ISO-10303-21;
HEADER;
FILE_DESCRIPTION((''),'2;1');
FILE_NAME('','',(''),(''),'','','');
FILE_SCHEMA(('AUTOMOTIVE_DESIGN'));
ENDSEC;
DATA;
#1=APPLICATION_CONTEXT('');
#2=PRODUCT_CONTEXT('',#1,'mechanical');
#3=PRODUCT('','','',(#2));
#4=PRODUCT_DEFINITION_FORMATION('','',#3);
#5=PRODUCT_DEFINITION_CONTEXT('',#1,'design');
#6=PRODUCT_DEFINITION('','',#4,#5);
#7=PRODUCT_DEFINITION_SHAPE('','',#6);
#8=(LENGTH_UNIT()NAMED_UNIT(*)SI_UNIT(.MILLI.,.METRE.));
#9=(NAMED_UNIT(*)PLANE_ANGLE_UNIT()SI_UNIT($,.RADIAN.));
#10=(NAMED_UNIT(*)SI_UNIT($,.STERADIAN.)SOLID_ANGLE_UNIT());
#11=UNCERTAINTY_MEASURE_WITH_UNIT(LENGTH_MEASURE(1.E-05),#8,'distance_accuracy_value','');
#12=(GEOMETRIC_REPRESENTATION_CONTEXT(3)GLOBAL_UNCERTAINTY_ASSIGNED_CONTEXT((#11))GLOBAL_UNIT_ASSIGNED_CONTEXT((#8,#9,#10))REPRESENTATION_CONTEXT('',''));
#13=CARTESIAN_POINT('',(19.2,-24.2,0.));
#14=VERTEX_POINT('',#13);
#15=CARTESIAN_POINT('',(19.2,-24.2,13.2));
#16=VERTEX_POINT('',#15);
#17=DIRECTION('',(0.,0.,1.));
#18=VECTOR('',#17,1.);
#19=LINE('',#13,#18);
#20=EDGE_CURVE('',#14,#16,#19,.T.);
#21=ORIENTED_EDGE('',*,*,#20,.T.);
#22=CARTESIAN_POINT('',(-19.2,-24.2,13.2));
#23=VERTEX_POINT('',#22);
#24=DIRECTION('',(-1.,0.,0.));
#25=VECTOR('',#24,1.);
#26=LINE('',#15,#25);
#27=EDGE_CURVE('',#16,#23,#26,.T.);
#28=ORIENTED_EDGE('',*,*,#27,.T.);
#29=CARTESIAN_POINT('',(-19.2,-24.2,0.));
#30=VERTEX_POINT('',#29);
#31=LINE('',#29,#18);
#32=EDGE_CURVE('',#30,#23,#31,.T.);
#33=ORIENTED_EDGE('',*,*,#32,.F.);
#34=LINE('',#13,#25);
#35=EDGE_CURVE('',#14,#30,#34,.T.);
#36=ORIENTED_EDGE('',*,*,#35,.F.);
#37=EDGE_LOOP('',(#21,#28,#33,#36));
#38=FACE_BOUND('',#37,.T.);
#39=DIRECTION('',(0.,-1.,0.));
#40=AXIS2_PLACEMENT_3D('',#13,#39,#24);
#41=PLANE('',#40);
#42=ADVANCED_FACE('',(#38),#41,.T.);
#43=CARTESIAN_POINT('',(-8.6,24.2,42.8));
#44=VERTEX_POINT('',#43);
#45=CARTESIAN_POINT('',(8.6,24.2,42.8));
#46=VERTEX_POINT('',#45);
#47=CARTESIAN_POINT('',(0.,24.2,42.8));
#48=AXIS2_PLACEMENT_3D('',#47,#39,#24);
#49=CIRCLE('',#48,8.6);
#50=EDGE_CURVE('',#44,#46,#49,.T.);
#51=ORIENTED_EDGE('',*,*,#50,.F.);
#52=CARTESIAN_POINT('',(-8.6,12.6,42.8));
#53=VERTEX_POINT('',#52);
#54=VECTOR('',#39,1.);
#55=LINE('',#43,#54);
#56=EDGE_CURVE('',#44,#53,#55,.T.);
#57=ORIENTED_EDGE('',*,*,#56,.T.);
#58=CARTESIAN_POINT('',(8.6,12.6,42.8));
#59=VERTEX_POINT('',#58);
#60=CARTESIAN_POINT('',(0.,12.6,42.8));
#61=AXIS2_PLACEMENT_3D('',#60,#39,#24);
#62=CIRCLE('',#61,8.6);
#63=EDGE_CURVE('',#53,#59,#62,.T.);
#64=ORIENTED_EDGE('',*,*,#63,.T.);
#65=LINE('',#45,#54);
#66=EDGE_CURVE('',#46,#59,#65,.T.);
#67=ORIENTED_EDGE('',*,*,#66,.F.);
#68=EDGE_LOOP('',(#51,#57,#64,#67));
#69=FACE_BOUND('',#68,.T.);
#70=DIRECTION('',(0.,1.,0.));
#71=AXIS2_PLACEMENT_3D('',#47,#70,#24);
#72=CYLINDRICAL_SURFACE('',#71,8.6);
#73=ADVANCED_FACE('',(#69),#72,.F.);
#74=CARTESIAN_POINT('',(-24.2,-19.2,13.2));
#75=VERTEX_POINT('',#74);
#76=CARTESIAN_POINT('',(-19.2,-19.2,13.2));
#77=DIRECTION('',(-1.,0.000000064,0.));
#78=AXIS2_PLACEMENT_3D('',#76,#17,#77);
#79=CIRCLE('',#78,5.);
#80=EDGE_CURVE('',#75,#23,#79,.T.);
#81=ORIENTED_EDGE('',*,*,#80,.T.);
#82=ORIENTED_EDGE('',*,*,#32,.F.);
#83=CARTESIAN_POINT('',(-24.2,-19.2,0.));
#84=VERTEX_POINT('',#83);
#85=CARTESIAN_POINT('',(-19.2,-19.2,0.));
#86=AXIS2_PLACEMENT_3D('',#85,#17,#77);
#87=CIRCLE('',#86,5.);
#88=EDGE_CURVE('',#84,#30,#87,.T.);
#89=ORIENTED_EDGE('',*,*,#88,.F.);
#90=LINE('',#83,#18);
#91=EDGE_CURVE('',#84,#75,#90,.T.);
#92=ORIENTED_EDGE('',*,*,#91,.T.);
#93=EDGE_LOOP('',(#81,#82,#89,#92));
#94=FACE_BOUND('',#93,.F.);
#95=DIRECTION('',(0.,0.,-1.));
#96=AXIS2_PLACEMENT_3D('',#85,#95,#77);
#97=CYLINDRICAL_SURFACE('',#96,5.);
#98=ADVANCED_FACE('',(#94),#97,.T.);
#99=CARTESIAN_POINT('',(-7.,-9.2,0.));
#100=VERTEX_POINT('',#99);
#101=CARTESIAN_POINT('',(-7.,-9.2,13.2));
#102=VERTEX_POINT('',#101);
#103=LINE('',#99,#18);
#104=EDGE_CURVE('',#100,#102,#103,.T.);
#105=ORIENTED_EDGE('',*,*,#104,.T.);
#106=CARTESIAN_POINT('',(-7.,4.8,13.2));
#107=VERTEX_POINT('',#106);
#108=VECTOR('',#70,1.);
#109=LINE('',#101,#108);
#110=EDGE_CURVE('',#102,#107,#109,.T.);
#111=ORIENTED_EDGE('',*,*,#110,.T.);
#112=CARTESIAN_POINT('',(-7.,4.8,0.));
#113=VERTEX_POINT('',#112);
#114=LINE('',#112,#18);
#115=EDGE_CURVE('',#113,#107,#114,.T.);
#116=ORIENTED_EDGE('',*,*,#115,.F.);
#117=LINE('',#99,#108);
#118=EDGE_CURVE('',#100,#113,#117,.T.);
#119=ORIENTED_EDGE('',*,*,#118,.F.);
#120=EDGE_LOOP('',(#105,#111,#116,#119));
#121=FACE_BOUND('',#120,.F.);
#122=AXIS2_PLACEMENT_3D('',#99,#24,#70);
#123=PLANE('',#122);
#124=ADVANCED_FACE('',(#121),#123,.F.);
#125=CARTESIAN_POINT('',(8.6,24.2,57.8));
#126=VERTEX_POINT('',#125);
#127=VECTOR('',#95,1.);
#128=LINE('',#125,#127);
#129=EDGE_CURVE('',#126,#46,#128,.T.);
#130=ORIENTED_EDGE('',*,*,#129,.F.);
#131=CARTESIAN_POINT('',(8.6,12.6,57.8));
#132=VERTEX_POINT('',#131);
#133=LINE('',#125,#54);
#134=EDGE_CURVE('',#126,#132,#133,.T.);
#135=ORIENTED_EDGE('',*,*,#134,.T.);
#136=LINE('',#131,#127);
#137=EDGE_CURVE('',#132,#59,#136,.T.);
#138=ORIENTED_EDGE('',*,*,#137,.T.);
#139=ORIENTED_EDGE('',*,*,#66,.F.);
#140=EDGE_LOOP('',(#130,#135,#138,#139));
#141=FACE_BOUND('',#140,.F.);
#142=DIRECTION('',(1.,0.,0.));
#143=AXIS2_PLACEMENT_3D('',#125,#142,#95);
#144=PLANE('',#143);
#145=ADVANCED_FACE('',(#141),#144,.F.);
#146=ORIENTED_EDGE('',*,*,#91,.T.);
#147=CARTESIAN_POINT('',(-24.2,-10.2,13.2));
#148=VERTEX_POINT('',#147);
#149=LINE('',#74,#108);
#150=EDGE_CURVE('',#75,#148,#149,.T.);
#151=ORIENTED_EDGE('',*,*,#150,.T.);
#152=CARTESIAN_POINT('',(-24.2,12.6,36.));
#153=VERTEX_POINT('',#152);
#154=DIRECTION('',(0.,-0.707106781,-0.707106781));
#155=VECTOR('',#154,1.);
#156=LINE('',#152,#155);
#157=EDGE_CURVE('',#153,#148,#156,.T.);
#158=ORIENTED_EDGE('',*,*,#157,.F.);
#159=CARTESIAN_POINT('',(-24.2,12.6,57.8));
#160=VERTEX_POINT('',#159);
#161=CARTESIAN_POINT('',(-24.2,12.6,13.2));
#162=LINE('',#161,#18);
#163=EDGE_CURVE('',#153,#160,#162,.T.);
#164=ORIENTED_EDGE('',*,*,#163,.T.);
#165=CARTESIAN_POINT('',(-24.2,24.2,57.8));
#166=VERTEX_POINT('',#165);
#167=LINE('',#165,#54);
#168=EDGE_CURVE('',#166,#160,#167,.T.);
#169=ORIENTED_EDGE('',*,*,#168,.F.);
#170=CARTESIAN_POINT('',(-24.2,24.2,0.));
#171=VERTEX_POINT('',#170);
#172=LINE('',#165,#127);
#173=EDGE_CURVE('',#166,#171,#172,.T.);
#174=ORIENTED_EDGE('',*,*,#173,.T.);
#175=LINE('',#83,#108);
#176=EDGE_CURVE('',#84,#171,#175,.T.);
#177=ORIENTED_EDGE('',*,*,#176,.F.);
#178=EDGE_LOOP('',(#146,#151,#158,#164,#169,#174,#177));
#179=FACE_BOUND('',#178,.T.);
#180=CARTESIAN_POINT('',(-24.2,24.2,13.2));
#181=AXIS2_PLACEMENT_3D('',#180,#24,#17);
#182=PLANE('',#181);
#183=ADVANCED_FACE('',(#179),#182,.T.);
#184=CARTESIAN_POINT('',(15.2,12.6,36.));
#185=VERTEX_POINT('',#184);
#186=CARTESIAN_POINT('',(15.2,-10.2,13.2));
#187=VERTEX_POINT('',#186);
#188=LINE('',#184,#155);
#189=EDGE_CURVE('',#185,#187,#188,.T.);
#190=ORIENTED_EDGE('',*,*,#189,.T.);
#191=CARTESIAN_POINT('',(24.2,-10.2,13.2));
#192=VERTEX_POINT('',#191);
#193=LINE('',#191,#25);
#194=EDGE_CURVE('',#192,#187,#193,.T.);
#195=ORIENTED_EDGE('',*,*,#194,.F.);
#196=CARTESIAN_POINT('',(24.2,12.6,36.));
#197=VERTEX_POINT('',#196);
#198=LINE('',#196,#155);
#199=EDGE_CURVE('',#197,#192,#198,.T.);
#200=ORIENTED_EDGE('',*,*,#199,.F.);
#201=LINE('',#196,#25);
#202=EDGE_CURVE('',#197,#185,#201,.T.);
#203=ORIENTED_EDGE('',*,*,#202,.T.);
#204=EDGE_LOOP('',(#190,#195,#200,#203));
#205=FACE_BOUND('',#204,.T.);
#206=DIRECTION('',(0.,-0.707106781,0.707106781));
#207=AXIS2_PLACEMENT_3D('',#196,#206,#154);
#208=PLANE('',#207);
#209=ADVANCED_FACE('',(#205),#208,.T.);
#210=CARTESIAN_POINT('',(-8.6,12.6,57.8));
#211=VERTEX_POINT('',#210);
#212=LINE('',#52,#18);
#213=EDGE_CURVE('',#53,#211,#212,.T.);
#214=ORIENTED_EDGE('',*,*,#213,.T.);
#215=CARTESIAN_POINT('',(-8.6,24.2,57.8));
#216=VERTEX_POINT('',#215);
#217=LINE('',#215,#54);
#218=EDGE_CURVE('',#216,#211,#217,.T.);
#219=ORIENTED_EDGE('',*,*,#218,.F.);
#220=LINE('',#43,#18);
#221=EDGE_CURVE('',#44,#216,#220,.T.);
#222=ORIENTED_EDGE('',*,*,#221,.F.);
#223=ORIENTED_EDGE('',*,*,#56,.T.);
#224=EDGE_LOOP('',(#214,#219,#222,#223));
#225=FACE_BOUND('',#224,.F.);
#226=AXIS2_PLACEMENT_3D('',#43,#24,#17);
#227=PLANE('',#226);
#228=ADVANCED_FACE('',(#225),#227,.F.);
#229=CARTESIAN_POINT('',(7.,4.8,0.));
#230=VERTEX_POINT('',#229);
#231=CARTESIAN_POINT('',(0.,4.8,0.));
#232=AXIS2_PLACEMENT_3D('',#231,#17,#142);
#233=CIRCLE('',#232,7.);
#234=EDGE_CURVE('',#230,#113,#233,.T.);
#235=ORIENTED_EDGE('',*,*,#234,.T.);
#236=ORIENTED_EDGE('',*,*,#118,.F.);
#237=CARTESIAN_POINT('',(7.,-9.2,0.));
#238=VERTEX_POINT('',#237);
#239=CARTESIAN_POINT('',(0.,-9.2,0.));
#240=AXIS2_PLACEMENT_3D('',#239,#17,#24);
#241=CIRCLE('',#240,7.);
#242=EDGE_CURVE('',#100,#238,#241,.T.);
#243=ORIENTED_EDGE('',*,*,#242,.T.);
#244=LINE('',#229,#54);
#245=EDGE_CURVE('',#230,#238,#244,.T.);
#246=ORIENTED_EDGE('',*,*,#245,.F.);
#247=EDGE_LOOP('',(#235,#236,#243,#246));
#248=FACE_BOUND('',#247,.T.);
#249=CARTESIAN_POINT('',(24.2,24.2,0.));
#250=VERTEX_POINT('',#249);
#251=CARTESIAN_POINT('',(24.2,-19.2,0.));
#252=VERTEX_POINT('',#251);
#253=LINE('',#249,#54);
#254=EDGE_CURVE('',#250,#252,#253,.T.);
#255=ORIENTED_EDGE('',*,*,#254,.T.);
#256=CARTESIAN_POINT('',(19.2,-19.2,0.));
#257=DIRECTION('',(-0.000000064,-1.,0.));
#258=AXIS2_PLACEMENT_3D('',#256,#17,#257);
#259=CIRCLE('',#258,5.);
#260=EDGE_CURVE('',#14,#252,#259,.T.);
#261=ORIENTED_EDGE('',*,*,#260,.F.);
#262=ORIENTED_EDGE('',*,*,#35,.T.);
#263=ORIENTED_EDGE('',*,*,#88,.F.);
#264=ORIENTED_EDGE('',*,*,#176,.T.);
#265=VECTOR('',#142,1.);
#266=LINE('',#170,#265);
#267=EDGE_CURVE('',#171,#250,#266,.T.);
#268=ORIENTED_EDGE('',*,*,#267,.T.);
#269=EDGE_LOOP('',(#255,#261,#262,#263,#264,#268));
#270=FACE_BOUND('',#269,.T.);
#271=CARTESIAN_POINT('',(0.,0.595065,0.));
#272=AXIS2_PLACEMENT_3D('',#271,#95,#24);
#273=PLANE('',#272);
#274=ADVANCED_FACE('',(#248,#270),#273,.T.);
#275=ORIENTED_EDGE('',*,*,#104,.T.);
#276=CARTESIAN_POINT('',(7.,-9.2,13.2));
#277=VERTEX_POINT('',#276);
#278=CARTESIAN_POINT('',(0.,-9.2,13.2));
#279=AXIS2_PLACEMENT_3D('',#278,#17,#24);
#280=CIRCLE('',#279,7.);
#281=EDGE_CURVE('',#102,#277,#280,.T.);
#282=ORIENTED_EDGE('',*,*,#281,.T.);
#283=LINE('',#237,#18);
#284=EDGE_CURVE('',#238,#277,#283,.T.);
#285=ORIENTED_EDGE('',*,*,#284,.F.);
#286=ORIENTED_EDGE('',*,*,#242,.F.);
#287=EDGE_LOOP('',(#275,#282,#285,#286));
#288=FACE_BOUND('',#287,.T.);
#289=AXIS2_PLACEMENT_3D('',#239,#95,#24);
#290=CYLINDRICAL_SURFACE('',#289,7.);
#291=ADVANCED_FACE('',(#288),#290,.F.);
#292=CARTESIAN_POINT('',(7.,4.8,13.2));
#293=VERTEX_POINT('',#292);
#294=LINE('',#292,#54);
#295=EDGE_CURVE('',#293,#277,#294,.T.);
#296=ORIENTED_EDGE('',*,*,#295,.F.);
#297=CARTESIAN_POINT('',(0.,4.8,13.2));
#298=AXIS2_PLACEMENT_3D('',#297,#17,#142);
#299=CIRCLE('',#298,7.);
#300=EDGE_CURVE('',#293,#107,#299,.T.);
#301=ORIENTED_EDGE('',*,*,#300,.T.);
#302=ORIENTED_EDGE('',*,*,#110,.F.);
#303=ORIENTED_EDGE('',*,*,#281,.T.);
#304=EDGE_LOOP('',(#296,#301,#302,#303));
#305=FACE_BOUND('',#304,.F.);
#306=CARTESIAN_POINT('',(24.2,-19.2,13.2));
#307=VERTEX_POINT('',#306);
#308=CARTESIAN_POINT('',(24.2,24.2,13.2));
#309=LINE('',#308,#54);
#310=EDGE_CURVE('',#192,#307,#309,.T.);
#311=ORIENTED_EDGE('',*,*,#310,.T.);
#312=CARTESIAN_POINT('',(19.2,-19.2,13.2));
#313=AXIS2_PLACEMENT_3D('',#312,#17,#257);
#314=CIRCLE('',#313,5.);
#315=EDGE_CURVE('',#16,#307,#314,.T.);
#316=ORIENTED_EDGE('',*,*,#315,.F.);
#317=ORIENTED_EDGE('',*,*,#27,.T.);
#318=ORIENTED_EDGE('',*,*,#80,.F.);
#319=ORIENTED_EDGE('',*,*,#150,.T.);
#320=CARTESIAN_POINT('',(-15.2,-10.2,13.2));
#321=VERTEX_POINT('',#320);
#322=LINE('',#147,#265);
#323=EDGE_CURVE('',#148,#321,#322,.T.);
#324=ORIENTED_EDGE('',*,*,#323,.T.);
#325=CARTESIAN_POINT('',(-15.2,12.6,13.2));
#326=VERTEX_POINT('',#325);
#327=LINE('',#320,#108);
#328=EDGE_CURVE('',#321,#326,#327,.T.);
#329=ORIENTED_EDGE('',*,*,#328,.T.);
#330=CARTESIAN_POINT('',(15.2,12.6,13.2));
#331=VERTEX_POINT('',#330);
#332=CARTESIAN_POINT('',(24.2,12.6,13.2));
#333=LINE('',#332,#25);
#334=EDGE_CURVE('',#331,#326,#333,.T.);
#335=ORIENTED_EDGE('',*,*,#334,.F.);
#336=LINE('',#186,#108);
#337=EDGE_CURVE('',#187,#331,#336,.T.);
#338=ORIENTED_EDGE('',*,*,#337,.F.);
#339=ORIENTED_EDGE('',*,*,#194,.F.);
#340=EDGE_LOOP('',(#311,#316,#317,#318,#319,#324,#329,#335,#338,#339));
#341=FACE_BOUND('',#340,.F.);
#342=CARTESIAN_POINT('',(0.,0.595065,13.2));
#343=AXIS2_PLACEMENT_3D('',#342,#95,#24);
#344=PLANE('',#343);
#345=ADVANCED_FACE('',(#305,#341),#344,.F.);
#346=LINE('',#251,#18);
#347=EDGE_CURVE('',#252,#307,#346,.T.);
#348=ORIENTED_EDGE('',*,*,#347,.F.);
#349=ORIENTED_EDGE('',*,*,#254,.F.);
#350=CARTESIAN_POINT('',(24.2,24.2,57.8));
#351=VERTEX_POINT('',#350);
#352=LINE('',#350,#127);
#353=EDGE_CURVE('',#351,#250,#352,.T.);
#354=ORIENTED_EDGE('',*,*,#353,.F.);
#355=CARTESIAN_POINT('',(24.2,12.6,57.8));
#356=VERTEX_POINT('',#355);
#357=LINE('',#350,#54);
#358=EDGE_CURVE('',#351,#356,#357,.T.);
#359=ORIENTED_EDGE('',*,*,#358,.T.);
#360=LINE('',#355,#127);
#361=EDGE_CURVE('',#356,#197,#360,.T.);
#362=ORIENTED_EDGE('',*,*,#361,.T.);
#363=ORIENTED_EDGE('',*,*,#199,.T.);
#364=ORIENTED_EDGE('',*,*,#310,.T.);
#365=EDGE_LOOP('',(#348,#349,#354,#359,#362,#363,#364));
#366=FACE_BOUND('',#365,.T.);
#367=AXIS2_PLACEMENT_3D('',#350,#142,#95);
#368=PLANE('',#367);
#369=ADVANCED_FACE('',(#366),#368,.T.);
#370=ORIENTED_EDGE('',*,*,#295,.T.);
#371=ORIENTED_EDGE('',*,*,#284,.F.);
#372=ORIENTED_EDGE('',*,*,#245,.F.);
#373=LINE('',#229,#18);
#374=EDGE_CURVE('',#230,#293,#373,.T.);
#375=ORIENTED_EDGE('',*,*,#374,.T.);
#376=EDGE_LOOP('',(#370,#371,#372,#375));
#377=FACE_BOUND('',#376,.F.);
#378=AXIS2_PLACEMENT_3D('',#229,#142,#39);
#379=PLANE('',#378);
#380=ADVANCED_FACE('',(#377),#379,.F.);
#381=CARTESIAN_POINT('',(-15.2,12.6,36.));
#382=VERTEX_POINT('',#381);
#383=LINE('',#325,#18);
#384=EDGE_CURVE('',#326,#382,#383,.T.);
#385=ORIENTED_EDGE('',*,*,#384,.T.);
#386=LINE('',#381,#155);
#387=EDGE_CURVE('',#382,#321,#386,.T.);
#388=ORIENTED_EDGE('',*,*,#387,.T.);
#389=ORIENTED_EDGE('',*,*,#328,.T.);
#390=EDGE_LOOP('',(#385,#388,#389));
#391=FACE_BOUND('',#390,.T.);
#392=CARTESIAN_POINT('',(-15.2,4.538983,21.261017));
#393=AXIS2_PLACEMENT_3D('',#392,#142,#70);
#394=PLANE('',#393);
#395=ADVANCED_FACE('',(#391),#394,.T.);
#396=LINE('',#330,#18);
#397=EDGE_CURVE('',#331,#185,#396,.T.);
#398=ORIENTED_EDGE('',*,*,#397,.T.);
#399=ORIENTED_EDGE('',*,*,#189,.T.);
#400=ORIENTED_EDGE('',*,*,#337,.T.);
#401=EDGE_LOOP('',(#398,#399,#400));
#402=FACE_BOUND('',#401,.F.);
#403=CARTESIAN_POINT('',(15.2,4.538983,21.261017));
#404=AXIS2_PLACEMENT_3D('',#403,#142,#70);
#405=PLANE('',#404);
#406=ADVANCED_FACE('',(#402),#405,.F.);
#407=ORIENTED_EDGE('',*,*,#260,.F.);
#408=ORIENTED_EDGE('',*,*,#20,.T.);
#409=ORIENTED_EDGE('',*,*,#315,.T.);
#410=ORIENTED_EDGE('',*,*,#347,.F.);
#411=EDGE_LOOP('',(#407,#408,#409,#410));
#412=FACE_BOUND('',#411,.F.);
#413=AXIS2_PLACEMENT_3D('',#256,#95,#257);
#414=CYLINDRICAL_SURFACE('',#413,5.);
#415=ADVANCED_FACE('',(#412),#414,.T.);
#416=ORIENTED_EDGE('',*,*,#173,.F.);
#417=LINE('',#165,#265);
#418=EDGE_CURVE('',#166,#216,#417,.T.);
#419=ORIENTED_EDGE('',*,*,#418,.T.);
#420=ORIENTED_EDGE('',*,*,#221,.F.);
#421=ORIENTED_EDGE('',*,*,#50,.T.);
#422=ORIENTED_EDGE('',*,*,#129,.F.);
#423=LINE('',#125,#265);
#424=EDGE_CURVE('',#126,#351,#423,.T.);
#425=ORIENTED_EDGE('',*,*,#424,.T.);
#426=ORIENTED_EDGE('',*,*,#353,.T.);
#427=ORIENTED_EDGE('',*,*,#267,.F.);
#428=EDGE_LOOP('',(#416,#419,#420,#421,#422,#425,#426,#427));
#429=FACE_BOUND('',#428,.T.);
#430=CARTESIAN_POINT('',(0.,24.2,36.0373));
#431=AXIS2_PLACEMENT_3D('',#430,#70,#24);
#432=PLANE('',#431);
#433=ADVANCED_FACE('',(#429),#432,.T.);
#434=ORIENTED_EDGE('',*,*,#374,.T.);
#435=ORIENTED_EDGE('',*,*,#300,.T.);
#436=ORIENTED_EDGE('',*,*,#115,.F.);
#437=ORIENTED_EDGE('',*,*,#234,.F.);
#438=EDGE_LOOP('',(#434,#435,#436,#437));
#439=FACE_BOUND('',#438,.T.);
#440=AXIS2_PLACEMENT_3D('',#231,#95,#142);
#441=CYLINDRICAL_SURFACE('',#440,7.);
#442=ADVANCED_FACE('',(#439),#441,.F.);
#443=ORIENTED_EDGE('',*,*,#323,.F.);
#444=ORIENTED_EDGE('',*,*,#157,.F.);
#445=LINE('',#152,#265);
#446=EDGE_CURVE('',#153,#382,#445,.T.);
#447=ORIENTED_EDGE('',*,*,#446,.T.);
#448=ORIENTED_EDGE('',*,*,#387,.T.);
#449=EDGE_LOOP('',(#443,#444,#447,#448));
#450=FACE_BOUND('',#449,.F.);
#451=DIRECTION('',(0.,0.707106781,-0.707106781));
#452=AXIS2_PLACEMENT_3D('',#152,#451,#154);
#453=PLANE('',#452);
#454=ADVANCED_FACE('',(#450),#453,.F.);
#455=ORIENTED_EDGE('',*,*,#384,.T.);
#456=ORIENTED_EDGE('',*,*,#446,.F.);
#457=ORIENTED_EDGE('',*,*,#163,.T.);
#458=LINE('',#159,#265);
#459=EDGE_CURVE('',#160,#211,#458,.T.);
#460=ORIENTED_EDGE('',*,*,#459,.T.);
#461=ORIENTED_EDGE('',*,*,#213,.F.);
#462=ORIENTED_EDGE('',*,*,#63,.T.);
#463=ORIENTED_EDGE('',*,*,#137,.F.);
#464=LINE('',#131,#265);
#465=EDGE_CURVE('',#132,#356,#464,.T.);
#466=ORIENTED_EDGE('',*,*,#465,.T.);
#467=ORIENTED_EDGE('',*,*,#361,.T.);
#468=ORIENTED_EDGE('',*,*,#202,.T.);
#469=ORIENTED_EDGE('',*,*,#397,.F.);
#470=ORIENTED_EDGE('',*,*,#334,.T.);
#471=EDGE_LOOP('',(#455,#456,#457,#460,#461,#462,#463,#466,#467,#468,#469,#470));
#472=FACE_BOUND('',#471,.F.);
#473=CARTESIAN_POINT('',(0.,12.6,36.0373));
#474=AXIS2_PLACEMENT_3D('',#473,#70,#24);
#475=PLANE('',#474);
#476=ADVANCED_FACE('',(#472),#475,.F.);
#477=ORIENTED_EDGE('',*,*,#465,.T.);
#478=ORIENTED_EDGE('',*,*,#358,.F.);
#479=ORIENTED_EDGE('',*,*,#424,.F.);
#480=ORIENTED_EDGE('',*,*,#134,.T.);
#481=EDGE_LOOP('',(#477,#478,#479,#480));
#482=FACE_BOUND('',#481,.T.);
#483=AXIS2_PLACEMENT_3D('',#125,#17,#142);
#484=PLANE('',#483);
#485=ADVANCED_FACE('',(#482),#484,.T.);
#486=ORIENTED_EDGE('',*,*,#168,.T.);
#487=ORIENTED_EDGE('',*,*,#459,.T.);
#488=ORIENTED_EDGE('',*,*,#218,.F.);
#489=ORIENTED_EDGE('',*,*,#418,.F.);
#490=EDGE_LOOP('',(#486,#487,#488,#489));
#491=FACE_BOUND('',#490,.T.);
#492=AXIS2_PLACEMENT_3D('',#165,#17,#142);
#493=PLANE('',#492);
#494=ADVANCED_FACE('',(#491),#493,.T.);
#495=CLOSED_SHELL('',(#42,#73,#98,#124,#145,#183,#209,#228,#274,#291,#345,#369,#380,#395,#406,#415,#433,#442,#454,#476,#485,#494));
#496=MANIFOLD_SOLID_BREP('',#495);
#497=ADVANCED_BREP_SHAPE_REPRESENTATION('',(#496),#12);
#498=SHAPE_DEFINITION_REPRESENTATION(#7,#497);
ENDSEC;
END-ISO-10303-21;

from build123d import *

# Parameters (mm, degrees)
PAD001_DEPTH = 11.6
PAD_DEPTH    = 13.2
PAD002_DEPTH = 9
PAD003_DEPTH = 9


with BuildPart() as frontal:
    # Sketch001 → Pad001 (new body)
    with BuildSketch(Plane.XZ.offset(-24.2)):
        with BuildLine():
            Line((-24.2, 57.8), (-8.6, 57.8))
            Line((-8.6, 42.8), (-8.6, 57.8))
            ThreePointArc((-8.6, 42.8), (0, 34.2), (8.6, 42.8))
            Line((8.6, 57.8), (8.6, 42.8))
            Line((8.6, 57.8), (24.2, 57.8))
            Line((24.2, 57.8), (24.2, 13.2))
            Line((24.2, 13.2), (-24.2, 13.2))
            Line((-24.2, 13.2), (-24.2, 57.8))
        make_face()
    extrude(amount=PAD001_DEPTH)


with BuildPart() as pieza_sin_chaflanes:
    # Sketch → Pad (new body)
    with BuildSketch(Plane.XY):
        with BuildLine():
            Line((-24.2, 24.2), (24.2, 24.2))
            Line((24.2, 24.2), (24.2, -19.2))
            ThreePointArc((19.2, -24.2), (22.735534, -22.735534), (24.2, -19.2))
            Line((19.2, -24.2), (-19.2, -24.2))
            ThreePointArc((-24.2, -19.2), (-22.735534, -22.735534), (-19.2, -24.2))
            Line((-24.2, -19.2), (-24.2, 24.2))
        make_face()
        with BuildLine():
            Line((7, 4.8), (7, -9.2))
            ThreePointArc((-7, -9.2), (0, -16.2), (7, -9.2))
            Line((-7, -9.2), (-7, 4.8))
            ThreePointArc((7, 4.8), (0, 11.8), (-7, 4.8))
        make_face(mode=Mode.SUBTRACT)
    extrude(amount=PAD_DEPTH)

    # Fusion: union Frontal
    add(frontal.part)


with BuildPart() as escuadra_izquierda:
    # Sketch002 → Pad002 (new body)
    with BuildSketch(Plane.YZ.offset(-24.2)):
        Polygon((-10.2, 13.2), (12.6, 13.2), (12.6, 36), align=None)
    extrude(amount=PAD002_DEPTH)


with BuildPart() as huecos_escuadras:
    # Sketch003 → Pad003 (new body)
    with BuildSketch(Plane.YZ.offset(24.2)):
        Polygon((-10.2, 13.2), (12.6, 13.2), (12.6, 36), align=None)
    extrude(amount=-PAD003_DEPTH)

    # Fusion001: union Escuadra-izquierda
    add(escuadra_izquierda.part)

    # Fusion002: union Pieza sin chaflanes
    add(pieza_sin_chaflanes.part)


solid = huecos_escuadras.part
